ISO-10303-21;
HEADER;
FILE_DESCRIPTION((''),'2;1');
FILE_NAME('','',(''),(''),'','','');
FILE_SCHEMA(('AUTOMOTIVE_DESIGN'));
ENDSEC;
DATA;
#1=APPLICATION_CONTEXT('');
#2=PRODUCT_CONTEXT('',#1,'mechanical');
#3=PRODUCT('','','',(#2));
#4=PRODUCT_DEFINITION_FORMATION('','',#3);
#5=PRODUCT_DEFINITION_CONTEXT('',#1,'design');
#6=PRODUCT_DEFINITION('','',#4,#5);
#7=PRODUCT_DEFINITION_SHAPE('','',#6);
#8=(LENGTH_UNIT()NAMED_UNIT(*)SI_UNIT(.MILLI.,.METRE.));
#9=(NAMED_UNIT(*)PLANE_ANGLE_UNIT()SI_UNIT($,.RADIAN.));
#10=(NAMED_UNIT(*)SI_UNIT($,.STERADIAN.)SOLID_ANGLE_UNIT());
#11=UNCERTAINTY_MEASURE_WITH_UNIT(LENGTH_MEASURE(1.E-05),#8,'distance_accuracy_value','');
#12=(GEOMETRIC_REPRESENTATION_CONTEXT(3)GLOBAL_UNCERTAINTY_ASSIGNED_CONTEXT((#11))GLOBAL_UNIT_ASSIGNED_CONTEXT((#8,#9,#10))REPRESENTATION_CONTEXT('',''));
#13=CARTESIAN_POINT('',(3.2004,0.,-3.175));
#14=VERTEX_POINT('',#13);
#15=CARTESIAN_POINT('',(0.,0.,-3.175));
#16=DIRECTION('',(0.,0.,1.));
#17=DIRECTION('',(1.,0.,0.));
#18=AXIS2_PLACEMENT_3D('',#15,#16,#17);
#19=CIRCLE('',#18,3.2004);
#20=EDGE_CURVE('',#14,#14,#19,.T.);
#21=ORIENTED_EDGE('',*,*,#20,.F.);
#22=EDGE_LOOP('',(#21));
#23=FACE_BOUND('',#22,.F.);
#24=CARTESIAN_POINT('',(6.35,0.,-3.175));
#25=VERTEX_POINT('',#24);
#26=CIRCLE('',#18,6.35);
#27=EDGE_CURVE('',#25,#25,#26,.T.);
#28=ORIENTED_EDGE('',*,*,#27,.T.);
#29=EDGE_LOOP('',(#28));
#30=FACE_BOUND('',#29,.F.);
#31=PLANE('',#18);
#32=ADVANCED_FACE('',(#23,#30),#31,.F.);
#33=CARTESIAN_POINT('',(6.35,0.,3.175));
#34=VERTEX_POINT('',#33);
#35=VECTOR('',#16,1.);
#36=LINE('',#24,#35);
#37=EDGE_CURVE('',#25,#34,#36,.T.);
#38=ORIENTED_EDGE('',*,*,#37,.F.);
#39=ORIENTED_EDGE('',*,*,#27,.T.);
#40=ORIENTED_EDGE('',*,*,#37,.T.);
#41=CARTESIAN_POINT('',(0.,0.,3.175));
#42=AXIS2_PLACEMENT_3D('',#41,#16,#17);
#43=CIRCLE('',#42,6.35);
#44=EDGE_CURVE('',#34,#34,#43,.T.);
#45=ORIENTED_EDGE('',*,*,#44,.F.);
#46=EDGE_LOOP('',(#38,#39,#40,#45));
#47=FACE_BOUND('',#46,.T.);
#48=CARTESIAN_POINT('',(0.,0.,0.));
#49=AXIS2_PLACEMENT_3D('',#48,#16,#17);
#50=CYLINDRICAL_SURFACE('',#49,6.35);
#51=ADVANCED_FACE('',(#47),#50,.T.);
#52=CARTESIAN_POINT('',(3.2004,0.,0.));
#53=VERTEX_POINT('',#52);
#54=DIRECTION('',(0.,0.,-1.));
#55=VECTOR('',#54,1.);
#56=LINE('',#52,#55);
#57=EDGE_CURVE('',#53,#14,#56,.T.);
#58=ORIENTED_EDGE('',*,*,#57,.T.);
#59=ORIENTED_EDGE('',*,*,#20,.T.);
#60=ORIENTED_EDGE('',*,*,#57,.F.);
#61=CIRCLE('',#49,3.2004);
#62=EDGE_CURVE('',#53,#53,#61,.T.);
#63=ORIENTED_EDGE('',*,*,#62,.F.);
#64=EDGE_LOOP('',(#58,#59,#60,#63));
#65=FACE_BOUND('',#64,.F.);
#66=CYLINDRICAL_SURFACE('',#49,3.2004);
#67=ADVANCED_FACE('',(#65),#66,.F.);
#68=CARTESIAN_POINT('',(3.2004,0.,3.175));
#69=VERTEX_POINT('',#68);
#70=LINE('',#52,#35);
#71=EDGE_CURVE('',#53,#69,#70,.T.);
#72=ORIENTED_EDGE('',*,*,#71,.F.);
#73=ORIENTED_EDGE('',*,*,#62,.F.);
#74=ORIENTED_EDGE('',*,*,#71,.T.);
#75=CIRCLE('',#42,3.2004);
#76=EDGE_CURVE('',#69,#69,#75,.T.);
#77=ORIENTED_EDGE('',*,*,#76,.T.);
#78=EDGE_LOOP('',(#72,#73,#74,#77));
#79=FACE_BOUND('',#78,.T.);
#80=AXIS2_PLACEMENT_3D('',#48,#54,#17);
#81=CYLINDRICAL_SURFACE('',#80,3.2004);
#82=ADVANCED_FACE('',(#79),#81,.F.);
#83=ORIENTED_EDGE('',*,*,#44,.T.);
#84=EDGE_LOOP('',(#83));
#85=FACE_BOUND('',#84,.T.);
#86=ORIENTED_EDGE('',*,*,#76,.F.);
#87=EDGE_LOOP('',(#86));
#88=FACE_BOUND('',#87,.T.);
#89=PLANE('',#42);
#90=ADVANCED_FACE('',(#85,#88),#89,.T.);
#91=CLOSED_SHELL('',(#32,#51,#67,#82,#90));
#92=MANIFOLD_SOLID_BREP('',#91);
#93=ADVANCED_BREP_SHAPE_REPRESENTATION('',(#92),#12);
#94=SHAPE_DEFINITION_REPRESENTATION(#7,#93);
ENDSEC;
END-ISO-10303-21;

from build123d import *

# Parameters (mm, degrees)
SKETCH1_R           = 6.35
SKETCH1_R_2         = 3.2004
EXTRUDE1_DEPTH      = 3.175
EXTRUDE1_DEPTH_BACK = 3.175


with BuildPart() as part:
    # Sketch1 → Extrude1 (new body, two sides)
    with BuildSketch(Plane.XY) as extrude1_sk:
        Circle(SKETCH1_R)
        Circle(SKETCH1_R_2, mode=Mode.SUBTRACT)
    extrude(amount=EXTRUDE1_DEPTH)
    extrude(extrude1_sk.sketch, amount=-EXTRUDE1_DEPTH_BACK)


solid = part.part
